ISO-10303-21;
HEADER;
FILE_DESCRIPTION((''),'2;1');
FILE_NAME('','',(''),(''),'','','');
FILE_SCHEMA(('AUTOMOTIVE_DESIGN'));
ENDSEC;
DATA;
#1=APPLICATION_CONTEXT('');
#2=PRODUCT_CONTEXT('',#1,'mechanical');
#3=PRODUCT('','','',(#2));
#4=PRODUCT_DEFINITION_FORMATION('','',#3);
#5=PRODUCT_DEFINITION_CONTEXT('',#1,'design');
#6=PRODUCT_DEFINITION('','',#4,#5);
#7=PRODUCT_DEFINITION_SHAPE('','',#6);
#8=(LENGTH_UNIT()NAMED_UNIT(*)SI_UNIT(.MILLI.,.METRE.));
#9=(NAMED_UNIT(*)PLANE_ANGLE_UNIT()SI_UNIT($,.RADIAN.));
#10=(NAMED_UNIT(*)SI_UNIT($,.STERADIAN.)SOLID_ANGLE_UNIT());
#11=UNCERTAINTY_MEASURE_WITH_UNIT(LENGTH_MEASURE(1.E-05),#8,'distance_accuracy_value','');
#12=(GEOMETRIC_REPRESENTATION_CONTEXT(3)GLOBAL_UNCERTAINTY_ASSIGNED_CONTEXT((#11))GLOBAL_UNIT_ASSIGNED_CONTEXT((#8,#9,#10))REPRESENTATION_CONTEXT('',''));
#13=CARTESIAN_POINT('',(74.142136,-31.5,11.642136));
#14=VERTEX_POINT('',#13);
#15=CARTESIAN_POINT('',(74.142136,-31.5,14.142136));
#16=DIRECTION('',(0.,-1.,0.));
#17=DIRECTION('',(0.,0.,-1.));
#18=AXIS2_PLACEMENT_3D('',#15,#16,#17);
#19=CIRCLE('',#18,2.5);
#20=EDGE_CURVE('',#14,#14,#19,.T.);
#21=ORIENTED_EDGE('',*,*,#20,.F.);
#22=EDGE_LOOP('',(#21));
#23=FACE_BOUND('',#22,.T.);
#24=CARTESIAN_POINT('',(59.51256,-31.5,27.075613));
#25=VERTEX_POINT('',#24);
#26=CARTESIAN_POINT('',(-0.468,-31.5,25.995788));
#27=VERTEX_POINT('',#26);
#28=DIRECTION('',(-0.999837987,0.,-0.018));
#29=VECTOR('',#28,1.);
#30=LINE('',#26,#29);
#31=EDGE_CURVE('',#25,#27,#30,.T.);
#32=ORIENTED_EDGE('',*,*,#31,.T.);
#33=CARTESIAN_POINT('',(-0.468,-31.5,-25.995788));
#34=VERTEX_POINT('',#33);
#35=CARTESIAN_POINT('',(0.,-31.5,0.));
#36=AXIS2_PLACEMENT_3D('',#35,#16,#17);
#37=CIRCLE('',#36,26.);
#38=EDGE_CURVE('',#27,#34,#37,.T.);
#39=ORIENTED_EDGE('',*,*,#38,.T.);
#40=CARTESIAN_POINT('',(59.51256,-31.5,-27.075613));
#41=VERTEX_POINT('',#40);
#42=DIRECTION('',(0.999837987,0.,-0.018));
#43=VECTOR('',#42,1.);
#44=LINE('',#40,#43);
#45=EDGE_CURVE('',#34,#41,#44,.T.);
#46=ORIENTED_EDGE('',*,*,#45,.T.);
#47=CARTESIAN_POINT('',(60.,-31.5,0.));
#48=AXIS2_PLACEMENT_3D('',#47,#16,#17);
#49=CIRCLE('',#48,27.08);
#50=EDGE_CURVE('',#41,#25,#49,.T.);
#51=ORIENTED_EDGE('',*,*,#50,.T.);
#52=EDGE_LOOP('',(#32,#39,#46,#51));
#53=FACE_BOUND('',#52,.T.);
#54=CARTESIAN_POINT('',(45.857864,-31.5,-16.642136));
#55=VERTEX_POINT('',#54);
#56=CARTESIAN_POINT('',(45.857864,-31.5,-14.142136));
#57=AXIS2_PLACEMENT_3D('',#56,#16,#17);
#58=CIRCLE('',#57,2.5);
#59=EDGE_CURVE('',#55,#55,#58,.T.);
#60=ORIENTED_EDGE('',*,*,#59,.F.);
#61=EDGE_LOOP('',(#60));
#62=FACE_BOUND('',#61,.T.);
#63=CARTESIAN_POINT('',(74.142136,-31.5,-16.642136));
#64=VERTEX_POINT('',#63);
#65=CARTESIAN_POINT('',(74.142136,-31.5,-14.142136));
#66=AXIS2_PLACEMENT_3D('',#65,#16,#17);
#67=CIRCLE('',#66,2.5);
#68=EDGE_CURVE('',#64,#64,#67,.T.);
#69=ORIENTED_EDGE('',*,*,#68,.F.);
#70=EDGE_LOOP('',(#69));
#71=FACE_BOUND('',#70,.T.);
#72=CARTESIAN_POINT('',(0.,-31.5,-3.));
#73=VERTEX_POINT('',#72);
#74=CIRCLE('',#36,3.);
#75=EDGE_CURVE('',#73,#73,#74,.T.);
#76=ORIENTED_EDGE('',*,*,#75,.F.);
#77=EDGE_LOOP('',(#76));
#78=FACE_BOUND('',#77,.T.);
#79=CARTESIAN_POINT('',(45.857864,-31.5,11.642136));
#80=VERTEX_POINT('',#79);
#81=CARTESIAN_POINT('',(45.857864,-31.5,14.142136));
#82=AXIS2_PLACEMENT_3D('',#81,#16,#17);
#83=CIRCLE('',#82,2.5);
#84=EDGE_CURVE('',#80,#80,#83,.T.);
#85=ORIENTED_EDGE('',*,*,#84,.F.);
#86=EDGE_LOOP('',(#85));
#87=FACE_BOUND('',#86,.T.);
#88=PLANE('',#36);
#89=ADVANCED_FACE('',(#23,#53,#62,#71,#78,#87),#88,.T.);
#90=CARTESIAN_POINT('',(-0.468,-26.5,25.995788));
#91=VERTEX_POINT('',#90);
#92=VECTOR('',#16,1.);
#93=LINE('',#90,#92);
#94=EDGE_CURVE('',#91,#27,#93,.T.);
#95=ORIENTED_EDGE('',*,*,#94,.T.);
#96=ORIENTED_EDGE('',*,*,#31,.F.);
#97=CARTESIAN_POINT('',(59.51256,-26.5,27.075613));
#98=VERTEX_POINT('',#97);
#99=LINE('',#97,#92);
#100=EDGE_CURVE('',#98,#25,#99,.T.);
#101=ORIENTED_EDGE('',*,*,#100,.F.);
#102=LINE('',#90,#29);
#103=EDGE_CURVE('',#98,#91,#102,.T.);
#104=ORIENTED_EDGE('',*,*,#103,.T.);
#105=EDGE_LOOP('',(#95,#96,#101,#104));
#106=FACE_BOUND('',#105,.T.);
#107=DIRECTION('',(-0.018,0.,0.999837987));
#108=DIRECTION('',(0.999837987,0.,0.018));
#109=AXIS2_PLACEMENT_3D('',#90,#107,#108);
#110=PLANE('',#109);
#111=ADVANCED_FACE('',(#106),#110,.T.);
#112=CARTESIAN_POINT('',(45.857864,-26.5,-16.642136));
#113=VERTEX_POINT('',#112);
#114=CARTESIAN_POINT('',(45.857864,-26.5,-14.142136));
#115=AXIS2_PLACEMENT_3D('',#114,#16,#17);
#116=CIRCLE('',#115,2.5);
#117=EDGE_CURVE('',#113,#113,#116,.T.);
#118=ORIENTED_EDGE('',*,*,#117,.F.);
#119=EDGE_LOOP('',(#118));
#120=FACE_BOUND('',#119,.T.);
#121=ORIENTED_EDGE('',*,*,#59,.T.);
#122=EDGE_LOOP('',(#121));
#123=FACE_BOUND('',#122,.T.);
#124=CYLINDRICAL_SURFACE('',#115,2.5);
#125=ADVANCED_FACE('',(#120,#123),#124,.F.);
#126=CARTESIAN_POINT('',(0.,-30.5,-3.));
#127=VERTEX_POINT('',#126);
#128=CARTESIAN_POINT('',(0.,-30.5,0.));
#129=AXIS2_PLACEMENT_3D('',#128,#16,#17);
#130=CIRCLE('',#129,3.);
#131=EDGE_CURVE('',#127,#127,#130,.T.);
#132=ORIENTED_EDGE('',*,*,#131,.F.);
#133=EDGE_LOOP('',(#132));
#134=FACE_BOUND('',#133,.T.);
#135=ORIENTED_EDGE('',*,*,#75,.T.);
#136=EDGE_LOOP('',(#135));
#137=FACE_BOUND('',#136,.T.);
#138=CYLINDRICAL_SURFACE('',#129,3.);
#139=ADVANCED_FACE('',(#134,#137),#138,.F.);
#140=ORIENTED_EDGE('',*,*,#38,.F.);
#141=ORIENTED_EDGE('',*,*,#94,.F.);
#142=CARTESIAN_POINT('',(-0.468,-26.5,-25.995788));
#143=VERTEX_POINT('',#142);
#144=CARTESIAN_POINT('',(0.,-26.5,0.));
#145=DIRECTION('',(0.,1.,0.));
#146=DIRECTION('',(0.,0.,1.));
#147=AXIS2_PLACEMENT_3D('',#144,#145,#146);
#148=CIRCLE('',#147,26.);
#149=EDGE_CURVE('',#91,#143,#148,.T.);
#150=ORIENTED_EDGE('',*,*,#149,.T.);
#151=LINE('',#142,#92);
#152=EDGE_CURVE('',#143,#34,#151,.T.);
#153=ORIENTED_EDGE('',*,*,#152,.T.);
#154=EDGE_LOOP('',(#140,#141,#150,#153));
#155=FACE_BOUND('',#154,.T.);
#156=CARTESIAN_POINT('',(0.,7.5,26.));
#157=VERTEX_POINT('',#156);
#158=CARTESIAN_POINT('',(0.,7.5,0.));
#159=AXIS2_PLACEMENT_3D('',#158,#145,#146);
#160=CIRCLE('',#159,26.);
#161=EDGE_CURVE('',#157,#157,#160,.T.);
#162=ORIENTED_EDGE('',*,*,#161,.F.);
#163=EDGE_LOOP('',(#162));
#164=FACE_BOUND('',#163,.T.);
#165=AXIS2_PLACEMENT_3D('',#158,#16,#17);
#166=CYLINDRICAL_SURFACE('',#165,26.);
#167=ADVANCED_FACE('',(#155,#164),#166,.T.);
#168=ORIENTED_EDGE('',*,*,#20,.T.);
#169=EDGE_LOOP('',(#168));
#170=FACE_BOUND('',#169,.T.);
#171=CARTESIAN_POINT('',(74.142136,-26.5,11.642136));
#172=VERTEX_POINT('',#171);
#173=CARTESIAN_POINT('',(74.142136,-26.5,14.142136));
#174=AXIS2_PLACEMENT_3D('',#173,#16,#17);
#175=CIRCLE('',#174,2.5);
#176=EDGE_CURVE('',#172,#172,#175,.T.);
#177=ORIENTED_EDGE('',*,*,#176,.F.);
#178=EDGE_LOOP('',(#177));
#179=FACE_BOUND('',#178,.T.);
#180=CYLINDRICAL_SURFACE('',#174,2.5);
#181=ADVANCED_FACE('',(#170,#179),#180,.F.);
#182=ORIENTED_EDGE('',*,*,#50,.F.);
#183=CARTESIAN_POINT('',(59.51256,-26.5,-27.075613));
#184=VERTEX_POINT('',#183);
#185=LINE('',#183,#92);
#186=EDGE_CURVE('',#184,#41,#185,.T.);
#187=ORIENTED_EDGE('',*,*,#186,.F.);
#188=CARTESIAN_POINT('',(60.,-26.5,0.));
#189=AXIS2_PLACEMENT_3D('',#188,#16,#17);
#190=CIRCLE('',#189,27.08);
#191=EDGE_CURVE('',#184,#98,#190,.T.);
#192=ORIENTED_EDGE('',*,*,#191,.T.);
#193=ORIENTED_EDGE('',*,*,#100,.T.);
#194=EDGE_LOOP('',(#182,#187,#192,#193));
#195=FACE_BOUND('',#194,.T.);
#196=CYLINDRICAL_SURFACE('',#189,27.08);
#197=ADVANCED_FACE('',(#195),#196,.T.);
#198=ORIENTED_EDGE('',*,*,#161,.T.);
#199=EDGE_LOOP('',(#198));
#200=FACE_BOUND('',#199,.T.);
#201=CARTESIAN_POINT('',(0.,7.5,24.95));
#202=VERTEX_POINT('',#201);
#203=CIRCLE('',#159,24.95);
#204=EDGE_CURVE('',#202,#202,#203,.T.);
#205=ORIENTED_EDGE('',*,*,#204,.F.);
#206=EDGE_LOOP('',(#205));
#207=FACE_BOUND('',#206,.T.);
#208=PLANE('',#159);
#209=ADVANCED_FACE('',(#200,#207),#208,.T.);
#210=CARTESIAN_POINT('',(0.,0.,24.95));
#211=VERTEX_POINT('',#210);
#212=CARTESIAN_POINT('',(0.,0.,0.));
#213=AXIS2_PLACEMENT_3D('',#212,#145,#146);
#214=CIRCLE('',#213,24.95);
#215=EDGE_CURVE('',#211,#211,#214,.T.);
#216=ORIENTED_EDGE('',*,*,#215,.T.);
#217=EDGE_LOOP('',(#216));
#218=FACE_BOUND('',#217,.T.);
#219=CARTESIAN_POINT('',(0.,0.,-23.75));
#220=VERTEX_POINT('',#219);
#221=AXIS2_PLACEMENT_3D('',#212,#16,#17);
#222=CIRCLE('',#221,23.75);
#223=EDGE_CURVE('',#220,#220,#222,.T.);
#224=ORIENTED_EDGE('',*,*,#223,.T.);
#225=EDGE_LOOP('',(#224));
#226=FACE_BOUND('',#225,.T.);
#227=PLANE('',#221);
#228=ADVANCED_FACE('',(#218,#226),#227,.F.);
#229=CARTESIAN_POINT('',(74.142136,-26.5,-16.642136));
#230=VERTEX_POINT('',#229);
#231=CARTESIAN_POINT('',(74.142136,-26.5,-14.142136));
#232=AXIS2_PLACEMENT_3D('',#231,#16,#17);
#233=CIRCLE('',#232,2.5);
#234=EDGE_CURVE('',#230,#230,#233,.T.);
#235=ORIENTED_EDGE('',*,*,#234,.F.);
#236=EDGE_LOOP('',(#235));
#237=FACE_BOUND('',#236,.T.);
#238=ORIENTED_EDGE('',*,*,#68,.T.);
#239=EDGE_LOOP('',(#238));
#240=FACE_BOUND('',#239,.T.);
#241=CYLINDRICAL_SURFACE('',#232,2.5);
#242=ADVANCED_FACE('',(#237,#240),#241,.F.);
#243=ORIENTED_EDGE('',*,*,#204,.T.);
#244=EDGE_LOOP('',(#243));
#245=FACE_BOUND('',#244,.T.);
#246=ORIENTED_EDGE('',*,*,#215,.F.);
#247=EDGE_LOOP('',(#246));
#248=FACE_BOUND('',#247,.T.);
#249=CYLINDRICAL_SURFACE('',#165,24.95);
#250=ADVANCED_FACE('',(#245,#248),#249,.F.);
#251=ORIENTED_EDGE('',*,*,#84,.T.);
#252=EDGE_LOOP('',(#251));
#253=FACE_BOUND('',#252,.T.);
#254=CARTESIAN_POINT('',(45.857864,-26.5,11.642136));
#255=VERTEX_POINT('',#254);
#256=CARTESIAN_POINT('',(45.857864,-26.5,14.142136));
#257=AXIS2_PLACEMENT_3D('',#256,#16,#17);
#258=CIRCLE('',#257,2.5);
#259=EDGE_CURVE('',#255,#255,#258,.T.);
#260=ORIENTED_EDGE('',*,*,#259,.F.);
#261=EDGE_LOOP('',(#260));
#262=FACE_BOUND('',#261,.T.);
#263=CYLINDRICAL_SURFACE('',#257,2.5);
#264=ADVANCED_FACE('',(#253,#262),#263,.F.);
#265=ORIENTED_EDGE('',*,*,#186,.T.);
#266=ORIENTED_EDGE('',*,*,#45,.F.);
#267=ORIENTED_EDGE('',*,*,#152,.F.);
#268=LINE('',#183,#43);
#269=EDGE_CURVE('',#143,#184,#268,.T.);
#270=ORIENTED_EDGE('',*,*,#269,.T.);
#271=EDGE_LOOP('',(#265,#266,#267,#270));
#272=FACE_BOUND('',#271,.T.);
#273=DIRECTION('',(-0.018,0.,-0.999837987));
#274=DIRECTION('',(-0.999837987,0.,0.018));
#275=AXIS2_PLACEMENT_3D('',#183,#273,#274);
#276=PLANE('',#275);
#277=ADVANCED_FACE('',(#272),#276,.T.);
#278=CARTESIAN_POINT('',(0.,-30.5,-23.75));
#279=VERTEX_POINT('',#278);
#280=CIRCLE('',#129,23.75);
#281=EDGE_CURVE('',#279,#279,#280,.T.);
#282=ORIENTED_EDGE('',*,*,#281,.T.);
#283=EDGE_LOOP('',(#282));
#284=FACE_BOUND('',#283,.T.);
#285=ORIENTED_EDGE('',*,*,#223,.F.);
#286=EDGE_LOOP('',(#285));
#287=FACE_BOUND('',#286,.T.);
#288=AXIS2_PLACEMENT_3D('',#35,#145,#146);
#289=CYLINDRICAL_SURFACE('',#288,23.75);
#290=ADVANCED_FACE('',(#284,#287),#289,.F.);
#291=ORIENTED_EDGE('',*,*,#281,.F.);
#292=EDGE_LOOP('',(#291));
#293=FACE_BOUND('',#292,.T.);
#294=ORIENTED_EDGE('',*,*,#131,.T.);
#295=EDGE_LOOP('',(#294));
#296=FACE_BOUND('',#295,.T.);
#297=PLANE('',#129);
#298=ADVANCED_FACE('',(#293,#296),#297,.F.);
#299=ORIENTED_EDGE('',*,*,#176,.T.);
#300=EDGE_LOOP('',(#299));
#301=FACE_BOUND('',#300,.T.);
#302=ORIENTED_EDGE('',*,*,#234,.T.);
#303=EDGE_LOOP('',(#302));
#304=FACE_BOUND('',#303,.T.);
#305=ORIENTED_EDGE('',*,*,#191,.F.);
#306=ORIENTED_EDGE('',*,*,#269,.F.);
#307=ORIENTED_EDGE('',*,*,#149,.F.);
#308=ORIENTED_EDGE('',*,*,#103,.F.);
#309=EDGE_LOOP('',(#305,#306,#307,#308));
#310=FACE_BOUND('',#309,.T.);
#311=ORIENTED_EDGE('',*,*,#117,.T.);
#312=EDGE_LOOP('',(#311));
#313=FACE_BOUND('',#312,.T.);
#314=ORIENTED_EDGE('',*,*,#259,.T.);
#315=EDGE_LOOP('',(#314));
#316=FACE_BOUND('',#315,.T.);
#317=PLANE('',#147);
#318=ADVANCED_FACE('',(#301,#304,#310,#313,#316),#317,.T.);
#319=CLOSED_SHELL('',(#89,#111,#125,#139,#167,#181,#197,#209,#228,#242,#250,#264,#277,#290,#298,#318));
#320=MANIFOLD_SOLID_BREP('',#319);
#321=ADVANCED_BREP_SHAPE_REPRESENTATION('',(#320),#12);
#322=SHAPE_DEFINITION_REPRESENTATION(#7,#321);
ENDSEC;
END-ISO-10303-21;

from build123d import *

# Parameters (mm, degrees)
SKETCH1_R           = 26
SKETCH1_R_2         = 24.95
BOSS_EXTRUDE1_DEPTH = 7.5
BOSS_EXTRUDE2_START = 31.5
SKETCH2_R           = 26
SKETCH2_R_2         = 23.75
BOSS_EXTRUDE2_DEPTH = 31.5
SKETCH3_R           = 23.75
BOSS_EXTRUDE3_DEPTH = 1
SKETCH4_R           = 3
CUT_EXTRUDE1_DEPTH  = 1
BOSS_EXTRUDE4_DEPTH = 5
SKETCH6_R           = 2.5
CUT_EXTRUDE2_DEPTH  = 5


with BuildPart() as part:
    # Sketch1 → Boss-Extrude1 (new body)
    with BuildSketch(Plane(origin=(0, 0, 0), x_dir=(1, 0, 0), z_dir=(0, 1, 0))):
        with Locations(Location((0, 0, 0), (0, 0, 270))):
            Circle(SKETCH1_R)
        with Locations(Location((0, 0, 0), (0, 0, 270))):
            Circle(SKETCH1_R_2, mode=Mode.SUBTRACT)
    extrude(amount=BOSS_EXTRUDE1_DEPTH)

    # Sketch2 → Boss-Extrude2 (add)
    with BuildSketch(Plane.XZ.offset(BOSS_EXTRUDE2_START)):
        with Locations(Location((0, 0, 0), (0, 0, 270))):
            Circle(SKETCH2_R)
        with Locations(Location((0, 0, 0), (0, 0, 270))):
            Circle(SKETCH2_R_2, mode=Mode.SUBTRACT)
    extrude(amount=-BOSS_EXTRUDE2_DEPTH)

    # Sketch3 → Boss-Extrude3 (add)
    with BuildSketch(Plane.XZ.offset(31.5)):
        with Locations(Location((0, 0, 0), (0, 0, 270))):
            Circle(SKETCH3_R)
    extrude(amount=-BOSS_EXTRUDE3_DEPTH)

    # Sketch4 → Cut-Extrude1 (cut)
    with BuildSketch(Plane.XZ.offset(31.5)):
        with Locations(Location((0, 0, 0), (0, 0, 270))):
            Circle(SKETCH4_R)
    extrude(amount=-CUT_EXTRUDE1_DEPTH, mode=Mode.SUBTRACT)

    # Sketch5 → Boss-Extrude4 (add)
    with BuildSketch(Plane.XZ.offset(31.5)):
        with BuildLine():
            Line((-0.468, 25.995787659), (59.51256, 27.075612685))
            ThreePointArc((59.51256, 27.075612685), (87.08, 0), (59.51256, -27.075612685))
            Line((59.51256, -27.075612685), (-0.468, -25.995787659))
            ThreePointArc((-0.468, -25.995787659), (26, 0), (-0.468, 25.995787659))
        make_face()
    extrude(amount=-BOSS_EXTRUDE4_DEPTH)

    # Sketch6 → Cut-Extrude2 (cut)
    with BuildSketch(Plane.XZ.offset(31.5)):
        with Locations(Location((74.142135624, 14.142135624, 0), (0, 0, 270))):
            Circle(SKETCH6_R)
        with Locations(Location((74.142135624, -14.142135624, 0), (0, 0, 270))):
            Circle(SKETCH6_R)
        with Locations(Location((45.857864376, -14.142135624, 0), (0, 0, 270))):
            Circle(SKETCH6_R)
        with Locations(Location((45.857864376, 14.142135624, 0), (0, 0, 270))):
            Circle(SKETCH6_R)
    extrude(amount=-CUT_EXTRUDE2_DEPTH, mode=Mode.SUBTRACT)


solid = part.part
